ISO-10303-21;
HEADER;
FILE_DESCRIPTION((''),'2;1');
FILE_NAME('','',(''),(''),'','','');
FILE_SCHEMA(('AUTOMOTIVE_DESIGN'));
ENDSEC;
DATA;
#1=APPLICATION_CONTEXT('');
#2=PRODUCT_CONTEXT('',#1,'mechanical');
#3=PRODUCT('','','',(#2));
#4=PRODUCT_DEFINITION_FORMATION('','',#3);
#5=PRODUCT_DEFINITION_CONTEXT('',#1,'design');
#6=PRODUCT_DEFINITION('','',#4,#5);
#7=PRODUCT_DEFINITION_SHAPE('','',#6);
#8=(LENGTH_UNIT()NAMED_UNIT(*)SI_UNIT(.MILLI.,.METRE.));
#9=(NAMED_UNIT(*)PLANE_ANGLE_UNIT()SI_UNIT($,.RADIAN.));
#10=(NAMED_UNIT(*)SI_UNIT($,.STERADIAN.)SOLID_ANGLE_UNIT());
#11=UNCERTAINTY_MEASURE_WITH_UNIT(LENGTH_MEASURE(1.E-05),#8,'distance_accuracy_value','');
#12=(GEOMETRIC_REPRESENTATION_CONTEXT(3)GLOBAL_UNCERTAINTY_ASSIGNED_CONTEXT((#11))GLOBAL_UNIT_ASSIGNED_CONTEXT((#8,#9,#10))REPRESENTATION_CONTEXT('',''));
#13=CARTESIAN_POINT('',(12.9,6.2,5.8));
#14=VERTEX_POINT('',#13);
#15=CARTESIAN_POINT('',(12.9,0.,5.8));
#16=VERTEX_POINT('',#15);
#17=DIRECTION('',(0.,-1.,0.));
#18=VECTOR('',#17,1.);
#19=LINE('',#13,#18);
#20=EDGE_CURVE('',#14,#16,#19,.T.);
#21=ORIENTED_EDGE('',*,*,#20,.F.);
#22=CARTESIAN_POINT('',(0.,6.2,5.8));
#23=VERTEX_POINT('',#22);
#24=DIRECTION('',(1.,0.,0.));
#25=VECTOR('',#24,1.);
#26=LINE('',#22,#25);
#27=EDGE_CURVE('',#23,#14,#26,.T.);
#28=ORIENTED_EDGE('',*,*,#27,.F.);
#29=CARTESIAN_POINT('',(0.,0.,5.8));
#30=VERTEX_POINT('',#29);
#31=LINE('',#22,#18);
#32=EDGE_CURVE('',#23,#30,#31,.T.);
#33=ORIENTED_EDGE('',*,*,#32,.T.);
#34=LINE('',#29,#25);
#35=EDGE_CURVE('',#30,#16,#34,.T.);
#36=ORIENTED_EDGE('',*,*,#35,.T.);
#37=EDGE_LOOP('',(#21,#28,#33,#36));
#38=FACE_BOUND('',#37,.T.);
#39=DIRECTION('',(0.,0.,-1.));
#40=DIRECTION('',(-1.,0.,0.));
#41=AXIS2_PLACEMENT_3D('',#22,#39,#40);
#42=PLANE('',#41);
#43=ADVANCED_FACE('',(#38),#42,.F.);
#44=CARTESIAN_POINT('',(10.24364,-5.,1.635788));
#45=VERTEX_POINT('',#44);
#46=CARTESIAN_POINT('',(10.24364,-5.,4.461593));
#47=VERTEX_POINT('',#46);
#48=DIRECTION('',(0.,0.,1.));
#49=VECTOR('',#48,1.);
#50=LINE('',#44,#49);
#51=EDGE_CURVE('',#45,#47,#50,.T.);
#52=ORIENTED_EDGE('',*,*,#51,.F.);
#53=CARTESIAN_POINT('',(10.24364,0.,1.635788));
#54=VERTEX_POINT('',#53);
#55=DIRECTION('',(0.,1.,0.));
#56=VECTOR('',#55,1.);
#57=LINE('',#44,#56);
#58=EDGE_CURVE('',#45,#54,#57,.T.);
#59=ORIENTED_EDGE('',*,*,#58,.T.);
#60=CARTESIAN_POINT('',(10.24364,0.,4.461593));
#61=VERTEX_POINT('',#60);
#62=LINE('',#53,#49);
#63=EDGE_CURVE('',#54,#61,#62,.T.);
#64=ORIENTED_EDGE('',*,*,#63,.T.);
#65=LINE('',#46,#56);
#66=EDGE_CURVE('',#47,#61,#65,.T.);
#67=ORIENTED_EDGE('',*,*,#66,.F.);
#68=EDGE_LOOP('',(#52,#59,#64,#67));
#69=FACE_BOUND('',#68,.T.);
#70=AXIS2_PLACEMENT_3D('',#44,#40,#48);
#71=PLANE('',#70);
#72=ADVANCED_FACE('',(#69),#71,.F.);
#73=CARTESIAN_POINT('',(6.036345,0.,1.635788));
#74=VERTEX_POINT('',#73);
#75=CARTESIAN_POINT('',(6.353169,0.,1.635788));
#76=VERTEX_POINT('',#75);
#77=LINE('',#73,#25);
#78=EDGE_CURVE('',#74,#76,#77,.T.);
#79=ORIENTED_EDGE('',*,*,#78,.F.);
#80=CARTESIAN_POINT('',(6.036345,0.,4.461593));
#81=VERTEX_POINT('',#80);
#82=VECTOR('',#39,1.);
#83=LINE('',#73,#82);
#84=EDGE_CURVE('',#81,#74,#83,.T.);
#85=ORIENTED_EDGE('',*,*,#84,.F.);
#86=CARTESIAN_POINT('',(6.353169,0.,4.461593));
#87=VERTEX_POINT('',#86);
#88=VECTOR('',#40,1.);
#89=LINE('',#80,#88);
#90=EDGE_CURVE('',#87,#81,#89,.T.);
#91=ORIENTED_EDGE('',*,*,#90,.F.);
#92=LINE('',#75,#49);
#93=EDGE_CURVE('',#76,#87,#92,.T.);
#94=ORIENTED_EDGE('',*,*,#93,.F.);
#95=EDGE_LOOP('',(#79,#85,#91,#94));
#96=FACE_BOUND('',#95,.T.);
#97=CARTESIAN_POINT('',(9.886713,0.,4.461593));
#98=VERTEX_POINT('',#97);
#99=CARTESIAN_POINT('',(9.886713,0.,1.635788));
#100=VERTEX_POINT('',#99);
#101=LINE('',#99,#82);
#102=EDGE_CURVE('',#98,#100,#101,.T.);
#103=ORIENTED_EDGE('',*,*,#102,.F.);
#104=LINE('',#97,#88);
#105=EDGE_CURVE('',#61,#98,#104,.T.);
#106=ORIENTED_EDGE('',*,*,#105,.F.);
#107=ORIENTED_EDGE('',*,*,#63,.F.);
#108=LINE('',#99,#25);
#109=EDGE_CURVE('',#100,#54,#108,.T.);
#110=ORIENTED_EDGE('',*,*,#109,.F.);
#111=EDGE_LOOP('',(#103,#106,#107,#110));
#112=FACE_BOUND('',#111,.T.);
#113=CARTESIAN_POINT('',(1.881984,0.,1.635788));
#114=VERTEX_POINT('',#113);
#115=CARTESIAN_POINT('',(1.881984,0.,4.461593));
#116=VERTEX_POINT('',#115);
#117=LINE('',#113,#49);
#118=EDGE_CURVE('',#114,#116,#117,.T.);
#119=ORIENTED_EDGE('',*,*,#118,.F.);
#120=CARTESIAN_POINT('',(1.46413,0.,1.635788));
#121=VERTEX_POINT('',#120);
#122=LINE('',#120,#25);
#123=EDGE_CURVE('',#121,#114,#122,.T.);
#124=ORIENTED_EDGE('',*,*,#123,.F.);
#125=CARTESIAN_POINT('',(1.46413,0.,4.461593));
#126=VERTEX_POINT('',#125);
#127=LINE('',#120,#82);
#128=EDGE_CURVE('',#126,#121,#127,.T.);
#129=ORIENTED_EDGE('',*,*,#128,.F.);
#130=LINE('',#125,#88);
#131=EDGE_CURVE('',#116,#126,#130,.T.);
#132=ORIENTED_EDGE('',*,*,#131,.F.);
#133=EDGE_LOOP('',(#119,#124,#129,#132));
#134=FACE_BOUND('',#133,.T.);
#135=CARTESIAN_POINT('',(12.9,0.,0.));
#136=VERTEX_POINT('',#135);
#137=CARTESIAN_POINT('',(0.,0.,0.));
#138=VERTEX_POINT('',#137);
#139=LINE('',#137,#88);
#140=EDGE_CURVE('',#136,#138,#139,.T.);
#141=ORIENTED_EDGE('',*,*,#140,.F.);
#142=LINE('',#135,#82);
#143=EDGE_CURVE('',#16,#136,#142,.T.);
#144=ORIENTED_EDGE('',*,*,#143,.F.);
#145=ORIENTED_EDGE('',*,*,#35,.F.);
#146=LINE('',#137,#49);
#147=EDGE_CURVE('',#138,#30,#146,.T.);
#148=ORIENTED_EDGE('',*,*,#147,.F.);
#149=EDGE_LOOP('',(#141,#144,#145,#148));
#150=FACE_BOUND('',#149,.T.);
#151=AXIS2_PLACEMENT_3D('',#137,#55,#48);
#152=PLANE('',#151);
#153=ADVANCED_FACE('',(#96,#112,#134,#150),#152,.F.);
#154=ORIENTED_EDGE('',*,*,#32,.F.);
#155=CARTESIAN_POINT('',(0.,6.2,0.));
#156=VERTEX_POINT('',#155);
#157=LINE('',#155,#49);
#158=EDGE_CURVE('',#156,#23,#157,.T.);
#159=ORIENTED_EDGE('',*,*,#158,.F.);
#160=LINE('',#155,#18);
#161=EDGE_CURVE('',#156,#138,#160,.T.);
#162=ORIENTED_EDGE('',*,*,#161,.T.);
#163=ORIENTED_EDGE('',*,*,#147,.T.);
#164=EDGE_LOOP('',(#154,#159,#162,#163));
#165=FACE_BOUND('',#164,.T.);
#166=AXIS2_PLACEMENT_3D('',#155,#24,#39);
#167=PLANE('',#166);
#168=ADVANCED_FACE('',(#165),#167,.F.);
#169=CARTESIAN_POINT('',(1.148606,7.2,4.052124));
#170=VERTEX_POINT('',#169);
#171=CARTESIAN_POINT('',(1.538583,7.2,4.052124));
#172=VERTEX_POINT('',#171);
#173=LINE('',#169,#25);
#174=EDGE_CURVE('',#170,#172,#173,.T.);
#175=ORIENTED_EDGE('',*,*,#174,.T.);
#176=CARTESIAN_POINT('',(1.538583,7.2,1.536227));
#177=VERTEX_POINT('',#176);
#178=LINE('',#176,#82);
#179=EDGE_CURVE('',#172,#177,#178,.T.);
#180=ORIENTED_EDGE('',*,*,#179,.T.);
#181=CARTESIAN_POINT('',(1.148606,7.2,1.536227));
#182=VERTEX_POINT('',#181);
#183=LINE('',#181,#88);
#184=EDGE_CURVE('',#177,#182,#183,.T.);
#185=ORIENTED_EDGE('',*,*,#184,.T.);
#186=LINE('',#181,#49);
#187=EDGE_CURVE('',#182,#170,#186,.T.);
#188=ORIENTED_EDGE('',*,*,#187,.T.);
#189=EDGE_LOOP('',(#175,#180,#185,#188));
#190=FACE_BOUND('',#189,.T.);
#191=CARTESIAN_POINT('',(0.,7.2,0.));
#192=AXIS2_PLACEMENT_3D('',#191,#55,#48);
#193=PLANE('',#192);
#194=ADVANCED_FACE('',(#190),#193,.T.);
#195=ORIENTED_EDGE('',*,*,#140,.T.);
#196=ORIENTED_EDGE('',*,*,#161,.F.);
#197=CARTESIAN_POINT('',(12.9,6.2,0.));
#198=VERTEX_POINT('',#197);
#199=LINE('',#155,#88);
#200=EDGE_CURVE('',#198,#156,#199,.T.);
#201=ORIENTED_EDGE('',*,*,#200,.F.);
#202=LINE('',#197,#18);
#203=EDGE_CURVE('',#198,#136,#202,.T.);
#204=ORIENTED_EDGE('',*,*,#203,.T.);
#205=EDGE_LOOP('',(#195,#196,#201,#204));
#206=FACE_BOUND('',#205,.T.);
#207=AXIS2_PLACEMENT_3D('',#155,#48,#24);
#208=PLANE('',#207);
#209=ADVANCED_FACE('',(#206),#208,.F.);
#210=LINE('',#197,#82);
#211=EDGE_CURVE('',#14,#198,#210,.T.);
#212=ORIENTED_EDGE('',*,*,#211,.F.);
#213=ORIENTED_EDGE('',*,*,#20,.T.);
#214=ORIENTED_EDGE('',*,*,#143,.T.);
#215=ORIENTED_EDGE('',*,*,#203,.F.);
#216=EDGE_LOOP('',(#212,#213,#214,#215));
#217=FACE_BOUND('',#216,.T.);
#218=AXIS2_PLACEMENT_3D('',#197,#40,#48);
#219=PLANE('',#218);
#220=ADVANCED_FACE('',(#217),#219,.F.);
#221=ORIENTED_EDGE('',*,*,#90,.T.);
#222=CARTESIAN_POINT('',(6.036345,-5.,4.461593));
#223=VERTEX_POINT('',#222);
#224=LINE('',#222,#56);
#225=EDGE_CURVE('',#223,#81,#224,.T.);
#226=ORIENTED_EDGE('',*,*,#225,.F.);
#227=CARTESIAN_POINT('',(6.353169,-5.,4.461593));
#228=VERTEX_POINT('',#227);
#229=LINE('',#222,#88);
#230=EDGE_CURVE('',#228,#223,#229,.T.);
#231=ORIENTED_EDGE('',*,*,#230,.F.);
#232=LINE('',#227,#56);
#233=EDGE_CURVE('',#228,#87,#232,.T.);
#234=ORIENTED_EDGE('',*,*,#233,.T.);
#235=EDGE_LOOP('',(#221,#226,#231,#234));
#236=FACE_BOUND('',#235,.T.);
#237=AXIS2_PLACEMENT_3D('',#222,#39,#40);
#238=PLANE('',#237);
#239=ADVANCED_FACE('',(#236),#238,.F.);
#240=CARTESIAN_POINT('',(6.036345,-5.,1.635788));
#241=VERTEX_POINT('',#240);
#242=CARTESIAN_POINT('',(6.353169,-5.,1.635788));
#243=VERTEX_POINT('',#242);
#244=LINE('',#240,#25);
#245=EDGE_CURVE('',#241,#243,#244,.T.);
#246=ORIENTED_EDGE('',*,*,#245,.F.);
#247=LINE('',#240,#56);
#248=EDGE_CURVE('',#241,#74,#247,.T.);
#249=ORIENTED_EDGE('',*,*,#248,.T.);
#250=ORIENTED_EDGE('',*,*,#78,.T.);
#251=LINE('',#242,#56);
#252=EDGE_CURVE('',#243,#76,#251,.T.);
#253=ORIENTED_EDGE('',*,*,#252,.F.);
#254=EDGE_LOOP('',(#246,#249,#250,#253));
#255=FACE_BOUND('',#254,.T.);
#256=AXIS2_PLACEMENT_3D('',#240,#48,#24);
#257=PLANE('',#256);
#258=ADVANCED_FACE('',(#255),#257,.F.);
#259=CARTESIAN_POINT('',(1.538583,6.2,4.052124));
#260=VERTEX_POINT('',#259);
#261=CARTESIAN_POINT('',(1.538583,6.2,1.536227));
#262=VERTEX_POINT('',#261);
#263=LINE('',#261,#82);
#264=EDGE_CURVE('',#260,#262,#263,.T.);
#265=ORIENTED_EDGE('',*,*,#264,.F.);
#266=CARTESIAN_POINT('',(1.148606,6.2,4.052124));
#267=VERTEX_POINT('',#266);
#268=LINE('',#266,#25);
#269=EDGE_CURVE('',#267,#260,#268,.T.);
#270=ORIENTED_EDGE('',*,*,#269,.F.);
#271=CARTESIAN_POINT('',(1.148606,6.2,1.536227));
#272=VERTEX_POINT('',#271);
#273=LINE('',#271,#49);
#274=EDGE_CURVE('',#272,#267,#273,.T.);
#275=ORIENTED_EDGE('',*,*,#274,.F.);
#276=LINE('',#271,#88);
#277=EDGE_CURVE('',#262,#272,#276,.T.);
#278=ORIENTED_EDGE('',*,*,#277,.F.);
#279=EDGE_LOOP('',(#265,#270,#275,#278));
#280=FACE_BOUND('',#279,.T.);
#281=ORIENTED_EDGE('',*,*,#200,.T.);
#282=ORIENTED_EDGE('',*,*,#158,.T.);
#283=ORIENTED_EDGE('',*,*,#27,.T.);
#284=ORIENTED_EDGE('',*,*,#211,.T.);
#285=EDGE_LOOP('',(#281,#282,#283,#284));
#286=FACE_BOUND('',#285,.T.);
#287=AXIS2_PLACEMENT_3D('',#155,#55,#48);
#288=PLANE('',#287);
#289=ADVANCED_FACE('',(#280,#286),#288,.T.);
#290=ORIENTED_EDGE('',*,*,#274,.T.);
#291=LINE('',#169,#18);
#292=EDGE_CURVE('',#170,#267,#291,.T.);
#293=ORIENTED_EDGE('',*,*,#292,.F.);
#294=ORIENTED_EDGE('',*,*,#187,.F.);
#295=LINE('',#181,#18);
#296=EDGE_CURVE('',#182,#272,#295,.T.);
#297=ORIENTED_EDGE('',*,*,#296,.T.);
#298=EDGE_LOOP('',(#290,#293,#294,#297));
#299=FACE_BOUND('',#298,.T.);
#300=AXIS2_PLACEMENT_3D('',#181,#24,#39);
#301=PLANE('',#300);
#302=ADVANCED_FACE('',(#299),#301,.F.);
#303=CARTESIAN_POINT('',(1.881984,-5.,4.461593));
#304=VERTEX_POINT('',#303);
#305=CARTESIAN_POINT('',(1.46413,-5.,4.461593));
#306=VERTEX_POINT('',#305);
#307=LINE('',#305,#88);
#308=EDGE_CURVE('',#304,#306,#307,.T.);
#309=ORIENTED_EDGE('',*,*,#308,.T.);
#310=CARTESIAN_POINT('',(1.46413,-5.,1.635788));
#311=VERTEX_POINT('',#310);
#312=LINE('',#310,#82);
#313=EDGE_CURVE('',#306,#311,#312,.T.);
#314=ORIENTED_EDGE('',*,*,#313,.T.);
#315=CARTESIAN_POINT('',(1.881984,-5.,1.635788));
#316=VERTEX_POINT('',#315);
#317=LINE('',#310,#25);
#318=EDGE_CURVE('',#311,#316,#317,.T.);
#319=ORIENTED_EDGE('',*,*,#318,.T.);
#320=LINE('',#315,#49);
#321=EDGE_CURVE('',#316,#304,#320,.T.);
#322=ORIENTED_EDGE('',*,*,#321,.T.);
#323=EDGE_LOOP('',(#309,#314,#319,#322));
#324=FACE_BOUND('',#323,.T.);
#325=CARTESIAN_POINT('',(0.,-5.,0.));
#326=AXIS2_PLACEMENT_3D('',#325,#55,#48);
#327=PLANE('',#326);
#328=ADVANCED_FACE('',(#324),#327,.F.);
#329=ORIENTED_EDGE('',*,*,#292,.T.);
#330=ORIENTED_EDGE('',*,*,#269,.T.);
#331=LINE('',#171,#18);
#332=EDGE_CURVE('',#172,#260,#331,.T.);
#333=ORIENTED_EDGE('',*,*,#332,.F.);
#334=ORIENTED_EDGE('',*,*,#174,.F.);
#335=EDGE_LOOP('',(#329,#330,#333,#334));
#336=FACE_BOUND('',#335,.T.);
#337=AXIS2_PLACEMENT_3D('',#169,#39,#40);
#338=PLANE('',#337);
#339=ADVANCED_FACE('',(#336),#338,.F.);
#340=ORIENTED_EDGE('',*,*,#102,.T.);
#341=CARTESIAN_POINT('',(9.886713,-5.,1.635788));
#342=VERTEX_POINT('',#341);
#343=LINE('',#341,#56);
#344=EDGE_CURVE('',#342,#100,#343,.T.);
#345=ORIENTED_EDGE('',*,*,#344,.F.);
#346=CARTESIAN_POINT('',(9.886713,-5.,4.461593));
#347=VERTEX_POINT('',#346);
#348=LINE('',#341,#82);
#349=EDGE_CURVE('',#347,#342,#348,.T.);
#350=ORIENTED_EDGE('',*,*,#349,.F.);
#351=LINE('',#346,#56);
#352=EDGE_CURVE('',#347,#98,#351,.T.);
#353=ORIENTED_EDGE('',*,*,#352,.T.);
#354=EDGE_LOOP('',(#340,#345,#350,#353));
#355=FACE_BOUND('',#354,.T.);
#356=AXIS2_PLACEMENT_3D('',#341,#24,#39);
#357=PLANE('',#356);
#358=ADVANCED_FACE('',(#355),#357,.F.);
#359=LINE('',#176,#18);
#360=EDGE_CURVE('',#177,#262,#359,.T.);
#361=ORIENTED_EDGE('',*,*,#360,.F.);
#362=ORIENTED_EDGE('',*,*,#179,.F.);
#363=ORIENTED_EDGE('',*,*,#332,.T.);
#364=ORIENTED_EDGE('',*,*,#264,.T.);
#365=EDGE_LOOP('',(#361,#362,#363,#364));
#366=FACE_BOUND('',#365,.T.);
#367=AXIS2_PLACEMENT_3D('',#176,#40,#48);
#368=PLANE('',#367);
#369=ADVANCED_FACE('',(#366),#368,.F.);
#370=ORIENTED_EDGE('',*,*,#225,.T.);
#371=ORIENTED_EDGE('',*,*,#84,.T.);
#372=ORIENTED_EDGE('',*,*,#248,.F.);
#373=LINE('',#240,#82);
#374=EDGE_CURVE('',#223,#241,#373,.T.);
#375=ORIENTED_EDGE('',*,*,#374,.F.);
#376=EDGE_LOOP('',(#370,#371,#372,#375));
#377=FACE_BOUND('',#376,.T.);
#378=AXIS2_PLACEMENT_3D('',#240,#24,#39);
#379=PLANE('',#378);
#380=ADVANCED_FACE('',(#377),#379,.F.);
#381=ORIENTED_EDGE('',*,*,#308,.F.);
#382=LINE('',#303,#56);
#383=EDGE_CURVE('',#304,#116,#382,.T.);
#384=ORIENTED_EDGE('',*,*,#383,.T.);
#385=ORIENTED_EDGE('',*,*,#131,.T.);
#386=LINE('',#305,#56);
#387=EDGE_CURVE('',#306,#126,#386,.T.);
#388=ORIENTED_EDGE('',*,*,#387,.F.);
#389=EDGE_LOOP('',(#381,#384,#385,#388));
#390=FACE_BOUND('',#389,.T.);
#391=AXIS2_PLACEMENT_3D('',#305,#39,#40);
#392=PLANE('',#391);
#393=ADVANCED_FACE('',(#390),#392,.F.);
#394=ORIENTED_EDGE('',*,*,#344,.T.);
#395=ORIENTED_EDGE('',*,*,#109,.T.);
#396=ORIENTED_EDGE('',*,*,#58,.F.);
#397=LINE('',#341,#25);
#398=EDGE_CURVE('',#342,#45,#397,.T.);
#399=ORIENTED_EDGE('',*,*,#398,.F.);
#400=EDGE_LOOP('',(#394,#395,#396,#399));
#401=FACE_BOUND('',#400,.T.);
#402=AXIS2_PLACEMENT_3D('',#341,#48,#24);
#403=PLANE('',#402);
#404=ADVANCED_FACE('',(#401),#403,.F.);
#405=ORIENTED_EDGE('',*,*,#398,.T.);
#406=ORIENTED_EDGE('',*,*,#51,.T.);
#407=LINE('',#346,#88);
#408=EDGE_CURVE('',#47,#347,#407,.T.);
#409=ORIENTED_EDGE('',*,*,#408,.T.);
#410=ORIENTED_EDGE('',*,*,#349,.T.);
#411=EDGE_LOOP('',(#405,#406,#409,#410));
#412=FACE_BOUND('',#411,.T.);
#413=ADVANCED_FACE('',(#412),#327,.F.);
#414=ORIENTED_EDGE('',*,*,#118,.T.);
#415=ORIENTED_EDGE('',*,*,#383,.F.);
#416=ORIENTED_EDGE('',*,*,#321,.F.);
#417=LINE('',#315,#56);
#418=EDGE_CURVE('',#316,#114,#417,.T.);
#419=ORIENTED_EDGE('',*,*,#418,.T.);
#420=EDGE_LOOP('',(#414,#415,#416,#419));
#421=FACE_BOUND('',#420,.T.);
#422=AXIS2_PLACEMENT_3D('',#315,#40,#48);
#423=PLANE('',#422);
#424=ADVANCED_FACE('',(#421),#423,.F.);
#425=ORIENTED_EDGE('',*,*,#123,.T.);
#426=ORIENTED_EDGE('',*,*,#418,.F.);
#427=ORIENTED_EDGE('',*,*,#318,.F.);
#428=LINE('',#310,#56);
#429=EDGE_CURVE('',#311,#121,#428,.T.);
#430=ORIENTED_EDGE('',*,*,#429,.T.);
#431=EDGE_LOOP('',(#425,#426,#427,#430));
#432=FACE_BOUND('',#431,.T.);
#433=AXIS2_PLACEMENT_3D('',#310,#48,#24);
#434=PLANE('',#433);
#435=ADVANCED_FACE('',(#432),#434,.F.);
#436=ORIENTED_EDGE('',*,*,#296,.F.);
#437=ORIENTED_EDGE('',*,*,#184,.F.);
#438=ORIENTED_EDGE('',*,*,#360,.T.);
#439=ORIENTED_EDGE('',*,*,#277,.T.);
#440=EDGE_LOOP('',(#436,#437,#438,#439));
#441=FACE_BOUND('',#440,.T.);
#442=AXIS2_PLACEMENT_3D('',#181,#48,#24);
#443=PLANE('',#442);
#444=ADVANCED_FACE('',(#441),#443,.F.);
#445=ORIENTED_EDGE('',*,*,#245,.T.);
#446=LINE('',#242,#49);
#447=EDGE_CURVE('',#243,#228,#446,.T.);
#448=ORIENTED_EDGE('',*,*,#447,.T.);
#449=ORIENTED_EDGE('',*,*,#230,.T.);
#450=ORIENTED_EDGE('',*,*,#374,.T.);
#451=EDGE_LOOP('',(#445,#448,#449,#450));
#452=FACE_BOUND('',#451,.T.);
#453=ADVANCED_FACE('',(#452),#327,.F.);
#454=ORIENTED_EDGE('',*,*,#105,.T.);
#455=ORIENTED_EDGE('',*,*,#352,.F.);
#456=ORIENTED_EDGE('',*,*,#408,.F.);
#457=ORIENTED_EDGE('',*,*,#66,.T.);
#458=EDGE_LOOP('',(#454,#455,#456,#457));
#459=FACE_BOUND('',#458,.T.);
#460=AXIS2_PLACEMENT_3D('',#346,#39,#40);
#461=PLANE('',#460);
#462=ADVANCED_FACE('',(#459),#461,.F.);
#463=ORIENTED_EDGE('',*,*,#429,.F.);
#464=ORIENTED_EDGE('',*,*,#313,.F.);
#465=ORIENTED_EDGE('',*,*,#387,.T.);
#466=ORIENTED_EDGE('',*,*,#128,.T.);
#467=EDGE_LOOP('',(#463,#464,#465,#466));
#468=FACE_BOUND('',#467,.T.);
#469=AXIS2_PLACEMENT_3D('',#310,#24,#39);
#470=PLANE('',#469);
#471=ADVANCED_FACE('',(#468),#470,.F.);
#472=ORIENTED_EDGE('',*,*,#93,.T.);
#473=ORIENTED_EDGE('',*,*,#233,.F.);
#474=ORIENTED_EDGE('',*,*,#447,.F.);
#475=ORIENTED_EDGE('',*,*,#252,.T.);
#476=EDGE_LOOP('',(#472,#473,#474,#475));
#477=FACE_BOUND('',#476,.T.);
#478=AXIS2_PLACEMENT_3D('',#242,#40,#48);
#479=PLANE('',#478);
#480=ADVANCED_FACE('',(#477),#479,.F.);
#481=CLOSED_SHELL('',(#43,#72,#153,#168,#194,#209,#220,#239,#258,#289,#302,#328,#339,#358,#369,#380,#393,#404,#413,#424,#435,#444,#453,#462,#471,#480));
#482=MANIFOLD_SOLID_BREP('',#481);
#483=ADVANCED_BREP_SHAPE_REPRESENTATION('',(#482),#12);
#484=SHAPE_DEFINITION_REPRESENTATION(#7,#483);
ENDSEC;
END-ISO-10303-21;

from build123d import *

# Parameters (mm, degrees)
SKETCH1_W           = 12.9
SKETCH1_H           = 5.8
BOSS_EXTRUDE1_DEPTH = 6.2
SKETCH2_W           = 0.389977013
SKETCH2_H           = 2.515896803
BOSS_EXTRUDE2_DEPTH = 1
SKETCH3_W           = 0.417854015
SKETCH3_H           = 2.825804308
SKETCH3_W_2         = 0.316823763
SKETCH3_W_3         = 0.356926389
BOSS_EXTRUDE3_DEPTH = 5


with BuildPart() as part:
    # Sketch1 → Boss-Extrude1 (new body)
    with BuildSketch(Plane(origin=(0, 0, 0), x_dir=(1, 0, 0), z_dir=(0, 1, 0))):
        with Locations((6.45, -2.9)):
            Rectangle(SKETCH1_W, SKETCH1_H)
    extrude(amount=BOSS_EXTRUDE1_DEPTH)

    # Sketch2 → Boss-Extrude2 (add)
    with BuildSketch(Plane(origin=(0, 6.2, 0), x_dir=(1, 0, 0), z_dir=(0, 1, 0))):
        with Locations((1.343594609, -2.794175743)):
            Rectangle(SKETCH2_W, SKETCH2_H)
    extrude(amount=BOSS_EXTRUDE2_DEPTH)

    # Sketch3 → Boss-Extrude3 (add)
    with BuildSketch(Plane(origin=(0, 0, 0), x_dir=(-1, 0, 0), z_dir=(0, -1, 0))):
        with Locations((-1.673057287, -3.048690626)):
            Rectangle(SKETCH3_W, SKETCH3_H)
        with Locations((-6.194757306, -3.048690626)):
            Rectangle(SKETCH3_W_2, SKETCH3_H)
        with Locations((-10.065176498, -3.048690626)):
            Rectangle(SKETCH3_W_3, SKETCH3_H)
    extrude(amount=BOSS_EXTRUDE3_DEPTH)


solid = part.part
